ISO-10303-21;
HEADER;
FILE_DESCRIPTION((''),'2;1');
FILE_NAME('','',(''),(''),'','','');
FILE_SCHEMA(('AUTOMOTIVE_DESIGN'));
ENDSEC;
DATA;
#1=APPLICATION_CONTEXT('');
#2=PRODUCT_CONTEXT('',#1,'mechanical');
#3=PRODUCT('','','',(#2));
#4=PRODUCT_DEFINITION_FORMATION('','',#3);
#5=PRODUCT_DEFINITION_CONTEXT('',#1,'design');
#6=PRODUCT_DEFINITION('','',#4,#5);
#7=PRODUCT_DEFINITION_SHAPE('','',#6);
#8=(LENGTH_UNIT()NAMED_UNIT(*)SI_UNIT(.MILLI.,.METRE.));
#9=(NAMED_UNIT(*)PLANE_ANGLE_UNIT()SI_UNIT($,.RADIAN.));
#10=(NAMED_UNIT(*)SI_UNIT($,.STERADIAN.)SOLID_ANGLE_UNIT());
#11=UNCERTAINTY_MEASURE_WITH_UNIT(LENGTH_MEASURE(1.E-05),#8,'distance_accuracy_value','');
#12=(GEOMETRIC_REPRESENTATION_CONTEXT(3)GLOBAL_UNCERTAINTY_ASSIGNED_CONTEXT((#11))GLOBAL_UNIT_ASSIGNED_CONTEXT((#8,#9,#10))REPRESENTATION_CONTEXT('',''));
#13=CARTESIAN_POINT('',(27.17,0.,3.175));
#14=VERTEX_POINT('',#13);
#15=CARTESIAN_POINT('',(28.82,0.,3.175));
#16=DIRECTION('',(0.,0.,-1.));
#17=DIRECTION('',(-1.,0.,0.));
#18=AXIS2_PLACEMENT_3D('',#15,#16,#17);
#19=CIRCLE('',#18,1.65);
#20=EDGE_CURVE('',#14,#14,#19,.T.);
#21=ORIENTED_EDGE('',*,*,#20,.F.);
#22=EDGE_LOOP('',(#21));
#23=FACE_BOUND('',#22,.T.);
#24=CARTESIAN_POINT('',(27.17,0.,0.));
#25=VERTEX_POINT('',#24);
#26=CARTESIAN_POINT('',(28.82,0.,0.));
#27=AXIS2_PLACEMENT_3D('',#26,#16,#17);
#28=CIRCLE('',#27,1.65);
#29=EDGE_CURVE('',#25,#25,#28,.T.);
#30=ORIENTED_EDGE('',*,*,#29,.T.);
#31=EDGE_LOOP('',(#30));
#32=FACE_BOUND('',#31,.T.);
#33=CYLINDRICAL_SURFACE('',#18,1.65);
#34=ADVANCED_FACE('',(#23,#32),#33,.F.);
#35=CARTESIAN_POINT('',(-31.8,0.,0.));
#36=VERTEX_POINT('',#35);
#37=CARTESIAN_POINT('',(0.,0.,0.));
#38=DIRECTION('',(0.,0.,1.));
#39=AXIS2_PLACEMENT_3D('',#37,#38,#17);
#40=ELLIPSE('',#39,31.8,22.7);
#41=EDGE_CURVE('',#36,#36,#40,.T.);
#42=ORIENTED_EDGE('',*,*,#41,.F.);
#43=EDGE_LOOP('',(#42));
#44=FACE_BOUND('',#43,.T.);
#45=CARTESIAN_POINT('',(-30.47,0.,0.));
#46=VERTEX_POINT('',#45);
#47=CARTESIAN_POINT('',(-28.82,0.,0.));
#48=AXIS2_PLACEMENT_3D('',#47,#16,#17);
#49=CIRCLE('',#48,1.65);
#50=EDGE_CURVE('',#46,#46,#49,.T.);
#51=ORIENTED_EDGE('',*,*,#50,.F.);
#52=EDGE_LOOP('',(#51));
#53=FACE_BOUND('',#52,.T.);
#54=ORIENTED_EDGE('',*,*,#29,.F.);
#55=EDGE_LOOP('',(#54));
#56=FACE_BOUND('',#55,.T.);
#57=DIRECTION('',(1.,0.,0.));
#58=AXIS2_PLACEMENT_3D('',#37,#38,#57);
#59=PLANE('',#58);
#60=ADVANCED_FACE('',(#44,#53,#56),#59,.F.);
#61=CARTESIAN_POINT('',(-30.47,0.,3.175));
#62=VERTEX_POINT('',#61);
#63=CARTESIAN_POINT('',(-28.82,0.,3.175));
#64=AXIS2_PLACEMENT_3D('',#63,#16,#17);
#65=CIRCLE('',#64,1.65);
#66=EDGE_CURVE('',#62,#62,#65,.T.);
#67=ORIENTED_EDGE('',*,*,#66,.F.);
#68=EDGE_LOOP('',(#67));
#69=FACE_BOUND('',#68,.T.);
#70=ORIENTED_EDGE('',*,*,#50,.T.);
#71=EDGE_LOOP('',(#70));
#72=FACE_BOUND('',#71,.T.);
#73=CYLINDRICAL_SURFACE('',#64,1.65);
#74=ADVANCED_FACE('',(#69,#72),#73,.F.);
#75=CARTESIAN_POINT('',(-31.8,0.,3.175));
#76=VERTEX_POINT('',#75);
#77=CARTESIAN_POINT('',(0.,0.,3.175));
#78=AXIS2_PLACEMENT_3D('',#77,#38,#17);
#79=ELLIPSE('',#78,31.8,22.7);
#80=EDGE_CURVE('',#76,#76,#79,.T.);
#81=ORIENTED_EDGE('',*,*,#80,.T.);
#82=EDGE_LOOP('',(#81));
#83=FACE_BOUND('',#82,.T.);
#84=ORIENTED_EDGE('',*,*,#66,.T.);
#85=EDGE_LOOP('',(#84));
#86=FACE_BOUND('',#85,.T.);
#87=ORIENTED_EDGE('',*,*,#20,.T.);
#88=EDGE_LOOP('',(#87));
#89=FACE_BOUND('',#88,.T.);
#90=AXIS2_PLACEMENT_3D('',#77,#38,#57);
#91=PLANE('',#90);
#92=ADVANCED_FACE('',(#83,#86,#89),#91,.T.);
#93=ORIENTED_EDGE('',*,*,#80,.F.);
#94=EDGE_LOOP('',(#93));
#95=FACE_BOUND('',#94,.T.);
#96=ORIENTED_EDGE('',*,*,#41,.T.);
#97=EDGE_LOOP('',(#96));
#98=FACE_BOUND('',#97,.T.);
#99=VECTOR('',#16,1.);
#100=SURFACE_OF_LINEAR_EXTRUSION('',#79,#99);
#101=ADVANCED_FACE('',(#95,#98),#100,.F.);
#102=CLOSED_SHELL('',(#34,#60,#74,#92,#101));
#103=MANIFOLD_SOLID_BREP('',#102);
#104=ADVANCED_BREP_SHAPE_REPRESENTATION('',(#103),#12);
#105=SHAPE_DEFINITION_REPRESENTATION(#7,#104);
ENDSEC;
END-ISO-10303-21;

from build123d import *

# Parameters (mm, degrees)
SKETCH1_RX          = 31.8
SKETCH1_RY          = 22.7
BOSS_EXTRUDE1_DEPTH = 3.175
SKETCH2_R           = 1.65
CUT_EXTRUDE1_DEPTH  = 3.175


with BuildPart() as part:
    # Sketch1 → Boss-Extrude1 (new body)
    with BuildSketch(Plane.XY):
        with Locations(Location((0, 0), (0, 0, 180))):
            Ellipse(SKETCH1_RX, SKETCH1_RY)
    extrude(amount=BOSS_EXTRUDE1_DEPTH)

    # Sketch2 → Cut-Extrude1 (cut)
    with BuildSketch(Plane(origin=(0, 0, 0), x_dir=(-1, 0, 0), z_dir=(0, 0, -1))):
        with Locations((-28.82, 0)):
            Circle(SKETCH2_R)
        with Locations((28.82, 0)):
            Circle(SKETCH2_R)
    extrude(amount=-CUT_EXTRUDE1_DEPTH, mode=Mode.SUBTRACT)


solid = part.part
